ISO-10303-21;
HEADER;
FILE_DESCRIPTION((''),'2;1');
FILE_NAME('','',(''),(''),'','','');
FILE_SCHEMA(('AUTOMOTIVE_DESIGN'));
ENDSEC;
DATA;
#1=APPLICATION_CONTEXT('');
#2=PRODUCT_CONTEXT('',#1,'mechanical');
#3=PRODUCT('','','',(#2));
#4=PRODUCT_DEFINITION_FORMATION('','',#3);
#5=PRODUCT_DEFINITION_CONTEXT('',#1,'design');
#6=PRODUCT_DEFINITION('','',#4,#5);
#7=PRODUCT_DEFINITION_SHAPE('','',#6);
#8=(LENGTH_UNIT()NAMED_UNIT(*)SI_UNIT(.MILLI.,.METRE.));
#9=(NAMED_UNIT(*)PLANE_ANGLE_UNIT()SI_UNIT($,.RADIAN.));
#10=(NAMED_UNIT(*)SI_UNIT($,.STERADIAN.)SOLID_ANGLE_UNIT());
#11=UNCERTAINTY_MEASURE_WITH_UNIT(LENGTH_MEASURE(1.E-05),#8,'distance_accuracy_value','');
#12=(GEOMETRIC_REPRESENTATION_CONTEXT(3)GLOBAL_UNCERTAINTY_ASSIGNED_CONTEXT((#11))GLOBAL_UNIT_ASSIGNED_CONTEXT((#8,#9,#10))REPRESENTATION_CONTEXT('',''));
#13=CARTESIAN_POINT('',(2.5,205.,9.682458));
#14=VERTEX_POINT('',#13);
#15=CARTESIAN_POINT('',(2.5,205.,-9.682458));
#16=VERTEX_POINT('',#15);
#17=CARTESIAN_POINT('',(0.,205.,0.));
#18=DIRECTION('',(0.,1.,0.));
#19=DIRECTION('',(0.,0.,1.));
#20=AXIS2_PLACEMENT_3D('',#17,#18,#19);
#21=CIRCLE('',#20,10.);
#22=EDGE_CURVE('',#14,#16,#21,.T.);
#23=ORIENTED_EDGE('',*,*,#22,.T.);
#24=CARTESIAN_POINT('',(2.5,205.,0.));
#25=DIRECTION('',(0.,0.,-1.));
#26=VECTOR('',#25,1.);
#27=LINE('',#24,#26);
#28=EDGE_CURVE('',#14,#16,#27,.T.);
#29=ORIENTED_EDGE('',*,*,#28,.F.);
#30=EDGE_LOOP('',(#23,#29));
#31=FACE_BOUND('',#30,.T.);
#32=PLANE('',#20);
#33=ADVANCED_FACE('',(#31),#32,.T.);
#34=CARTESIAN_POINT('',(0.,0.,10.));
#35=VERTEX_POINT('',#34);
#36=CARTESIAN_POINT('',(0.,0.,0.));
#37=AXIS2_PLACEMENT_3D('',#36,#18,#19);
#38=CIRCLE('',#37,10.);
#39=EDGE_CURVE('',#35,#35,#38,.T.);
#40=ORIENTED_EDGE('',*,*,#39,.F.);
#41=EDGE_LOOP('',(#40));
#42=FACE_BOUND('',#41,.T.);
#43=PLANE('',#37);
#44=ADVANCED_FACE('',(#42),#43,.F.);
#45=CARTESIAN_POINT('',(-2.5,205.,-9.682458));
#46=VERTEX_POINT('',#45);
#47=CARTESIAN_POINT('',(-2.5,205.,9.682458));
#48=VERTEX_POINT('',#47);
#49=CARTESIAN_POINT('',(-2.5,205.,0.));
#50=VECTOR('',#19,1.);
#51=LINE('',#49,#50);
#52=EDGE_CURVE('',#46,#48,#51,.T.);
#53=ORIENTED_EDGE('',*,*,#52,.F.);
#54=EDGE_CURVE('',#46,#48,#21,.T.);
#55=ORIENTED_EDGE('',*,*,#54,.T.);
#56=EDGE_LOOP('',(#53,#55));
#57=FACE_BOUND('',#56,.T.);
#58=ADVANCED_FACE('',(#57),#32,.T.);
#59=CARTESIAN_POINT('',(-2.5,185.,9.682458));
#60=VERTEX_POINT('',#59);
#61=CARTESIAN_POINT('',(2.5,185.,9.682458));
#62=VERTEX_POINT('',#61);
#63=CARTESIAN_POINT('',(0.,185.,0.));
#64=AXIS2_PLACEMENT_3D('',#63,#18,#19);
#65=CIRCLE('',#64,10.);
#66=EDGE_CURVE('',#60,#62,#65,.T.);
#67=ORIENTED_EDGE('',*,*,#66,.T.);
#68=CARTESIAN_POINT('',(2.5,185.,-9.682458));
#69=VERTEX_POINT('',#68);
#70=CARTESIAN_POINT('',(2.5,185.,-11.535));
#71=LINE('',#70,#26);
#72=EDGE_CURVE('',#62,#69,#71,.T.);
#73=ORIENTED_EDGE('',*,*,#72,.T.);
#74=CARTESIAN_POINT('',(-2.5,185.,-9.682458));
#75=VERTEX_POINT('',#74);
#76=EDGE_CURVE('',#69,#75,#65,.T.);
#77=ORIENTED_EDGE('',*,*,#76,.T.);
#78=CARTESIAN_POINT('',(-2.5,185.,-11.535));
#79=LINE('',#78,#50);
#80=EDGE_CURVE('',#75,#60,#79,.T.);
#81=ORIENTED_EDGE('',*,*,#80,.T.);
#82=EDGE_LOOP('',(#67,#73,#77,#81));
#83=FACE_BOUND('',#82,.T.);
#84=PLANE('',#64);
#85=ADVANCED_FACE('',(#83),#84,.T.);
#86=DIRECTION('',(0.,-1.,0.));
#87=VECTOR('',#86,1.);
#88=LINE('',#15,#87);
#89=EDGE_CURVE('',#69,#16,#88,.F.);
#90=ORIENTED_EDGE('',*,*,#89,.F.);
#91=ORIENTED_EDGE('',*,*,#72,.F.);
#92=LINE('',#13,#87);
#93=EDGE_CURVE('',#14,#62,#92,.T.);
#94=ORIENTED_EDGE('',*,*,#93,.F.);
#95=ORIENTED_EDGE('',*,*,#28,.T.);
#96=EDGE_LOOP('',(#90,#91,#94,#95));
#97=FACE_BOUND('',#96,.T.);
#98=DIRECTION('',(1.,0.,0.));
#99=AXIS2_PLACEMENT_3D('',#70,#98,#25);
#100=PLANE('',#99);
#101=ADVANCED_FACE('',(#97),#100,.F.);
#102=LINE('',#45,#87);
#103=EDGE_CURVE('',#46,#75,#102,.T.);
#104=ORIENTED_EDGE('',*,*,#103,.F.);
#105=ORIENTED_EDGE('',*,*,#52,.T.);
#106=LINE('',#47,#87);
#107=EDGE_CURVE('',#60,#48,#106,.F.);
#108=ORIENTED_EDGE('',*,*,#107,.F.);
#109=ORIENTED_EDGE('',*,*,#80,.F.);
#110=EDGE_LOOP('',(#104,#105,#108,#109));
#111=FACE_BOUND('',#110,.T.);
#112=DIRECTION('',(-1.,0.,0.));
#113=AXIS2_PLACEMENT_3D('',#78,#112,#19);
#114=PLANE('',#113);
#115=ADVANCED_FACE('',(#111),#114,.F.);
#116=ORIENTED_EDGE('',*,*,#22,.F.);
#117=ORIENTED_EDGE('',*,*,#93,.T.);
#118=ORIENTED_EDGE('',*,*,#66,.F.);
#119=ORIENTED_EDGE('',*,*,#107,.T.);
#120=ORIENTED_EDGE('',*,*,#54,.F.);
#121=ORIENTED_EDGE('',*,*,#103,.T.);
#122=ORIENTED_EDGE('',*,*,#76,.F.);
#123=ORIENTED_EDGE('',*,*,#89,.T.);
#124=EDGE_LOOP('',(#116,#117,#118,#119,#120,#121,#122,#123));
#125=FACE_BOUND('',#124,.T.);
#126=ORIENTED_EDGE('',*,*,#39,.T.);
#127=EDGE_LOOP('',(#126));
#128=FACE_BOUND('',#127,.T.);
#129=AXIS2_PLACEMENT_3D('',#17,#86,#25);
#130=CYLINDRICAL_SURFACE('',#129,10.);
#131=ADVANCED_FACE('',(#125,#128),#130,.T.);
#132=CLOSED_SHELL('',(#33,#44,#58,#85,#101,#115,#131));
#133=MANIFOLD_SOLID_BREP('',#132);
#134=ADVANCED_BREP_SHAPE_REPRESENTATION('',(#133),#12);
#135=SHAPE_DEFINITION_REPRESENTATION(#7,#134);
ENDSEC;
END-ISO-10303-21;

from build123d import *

# Parameters (mm, degrees)
SKETCH1_R           = 10
BOSS_EXTRUDE1_DEPTH = 205
SKETCH2_W           = 5
SKETCH2_H           = 23.07
CUT_EXTRUDE1_DEPTH  = 20


with BuildPart() as part:
    # Sketch1 → Boss-Extrude1 (new body)
    with BuildSketch(Plane(origin=(0, 0, 0), x_dir=(1, 0, 0), z_dir=(0, 1, 0))):
        with Locations(Location((0, 0, 0), (0, 0, 90))):
            Circle(SKETCH1_R)
    extrude(amount=BOSS_EXTRUDE1_DEPTH)

    # Sketch2 → Cut-Extrude1 (cut)
    with BuildSketch(Plane(origin=(0, 205, 0), x_dir=(1, 0, 0), z_dir=(0, 1, 0))):
        Rectangle(SKETCH2_W, SKETCH2_H)
    extrude(amount=-CUT_EXTRUDE1_DEPTH, mode=Mode.SUBTRACT)


solid = part.part
